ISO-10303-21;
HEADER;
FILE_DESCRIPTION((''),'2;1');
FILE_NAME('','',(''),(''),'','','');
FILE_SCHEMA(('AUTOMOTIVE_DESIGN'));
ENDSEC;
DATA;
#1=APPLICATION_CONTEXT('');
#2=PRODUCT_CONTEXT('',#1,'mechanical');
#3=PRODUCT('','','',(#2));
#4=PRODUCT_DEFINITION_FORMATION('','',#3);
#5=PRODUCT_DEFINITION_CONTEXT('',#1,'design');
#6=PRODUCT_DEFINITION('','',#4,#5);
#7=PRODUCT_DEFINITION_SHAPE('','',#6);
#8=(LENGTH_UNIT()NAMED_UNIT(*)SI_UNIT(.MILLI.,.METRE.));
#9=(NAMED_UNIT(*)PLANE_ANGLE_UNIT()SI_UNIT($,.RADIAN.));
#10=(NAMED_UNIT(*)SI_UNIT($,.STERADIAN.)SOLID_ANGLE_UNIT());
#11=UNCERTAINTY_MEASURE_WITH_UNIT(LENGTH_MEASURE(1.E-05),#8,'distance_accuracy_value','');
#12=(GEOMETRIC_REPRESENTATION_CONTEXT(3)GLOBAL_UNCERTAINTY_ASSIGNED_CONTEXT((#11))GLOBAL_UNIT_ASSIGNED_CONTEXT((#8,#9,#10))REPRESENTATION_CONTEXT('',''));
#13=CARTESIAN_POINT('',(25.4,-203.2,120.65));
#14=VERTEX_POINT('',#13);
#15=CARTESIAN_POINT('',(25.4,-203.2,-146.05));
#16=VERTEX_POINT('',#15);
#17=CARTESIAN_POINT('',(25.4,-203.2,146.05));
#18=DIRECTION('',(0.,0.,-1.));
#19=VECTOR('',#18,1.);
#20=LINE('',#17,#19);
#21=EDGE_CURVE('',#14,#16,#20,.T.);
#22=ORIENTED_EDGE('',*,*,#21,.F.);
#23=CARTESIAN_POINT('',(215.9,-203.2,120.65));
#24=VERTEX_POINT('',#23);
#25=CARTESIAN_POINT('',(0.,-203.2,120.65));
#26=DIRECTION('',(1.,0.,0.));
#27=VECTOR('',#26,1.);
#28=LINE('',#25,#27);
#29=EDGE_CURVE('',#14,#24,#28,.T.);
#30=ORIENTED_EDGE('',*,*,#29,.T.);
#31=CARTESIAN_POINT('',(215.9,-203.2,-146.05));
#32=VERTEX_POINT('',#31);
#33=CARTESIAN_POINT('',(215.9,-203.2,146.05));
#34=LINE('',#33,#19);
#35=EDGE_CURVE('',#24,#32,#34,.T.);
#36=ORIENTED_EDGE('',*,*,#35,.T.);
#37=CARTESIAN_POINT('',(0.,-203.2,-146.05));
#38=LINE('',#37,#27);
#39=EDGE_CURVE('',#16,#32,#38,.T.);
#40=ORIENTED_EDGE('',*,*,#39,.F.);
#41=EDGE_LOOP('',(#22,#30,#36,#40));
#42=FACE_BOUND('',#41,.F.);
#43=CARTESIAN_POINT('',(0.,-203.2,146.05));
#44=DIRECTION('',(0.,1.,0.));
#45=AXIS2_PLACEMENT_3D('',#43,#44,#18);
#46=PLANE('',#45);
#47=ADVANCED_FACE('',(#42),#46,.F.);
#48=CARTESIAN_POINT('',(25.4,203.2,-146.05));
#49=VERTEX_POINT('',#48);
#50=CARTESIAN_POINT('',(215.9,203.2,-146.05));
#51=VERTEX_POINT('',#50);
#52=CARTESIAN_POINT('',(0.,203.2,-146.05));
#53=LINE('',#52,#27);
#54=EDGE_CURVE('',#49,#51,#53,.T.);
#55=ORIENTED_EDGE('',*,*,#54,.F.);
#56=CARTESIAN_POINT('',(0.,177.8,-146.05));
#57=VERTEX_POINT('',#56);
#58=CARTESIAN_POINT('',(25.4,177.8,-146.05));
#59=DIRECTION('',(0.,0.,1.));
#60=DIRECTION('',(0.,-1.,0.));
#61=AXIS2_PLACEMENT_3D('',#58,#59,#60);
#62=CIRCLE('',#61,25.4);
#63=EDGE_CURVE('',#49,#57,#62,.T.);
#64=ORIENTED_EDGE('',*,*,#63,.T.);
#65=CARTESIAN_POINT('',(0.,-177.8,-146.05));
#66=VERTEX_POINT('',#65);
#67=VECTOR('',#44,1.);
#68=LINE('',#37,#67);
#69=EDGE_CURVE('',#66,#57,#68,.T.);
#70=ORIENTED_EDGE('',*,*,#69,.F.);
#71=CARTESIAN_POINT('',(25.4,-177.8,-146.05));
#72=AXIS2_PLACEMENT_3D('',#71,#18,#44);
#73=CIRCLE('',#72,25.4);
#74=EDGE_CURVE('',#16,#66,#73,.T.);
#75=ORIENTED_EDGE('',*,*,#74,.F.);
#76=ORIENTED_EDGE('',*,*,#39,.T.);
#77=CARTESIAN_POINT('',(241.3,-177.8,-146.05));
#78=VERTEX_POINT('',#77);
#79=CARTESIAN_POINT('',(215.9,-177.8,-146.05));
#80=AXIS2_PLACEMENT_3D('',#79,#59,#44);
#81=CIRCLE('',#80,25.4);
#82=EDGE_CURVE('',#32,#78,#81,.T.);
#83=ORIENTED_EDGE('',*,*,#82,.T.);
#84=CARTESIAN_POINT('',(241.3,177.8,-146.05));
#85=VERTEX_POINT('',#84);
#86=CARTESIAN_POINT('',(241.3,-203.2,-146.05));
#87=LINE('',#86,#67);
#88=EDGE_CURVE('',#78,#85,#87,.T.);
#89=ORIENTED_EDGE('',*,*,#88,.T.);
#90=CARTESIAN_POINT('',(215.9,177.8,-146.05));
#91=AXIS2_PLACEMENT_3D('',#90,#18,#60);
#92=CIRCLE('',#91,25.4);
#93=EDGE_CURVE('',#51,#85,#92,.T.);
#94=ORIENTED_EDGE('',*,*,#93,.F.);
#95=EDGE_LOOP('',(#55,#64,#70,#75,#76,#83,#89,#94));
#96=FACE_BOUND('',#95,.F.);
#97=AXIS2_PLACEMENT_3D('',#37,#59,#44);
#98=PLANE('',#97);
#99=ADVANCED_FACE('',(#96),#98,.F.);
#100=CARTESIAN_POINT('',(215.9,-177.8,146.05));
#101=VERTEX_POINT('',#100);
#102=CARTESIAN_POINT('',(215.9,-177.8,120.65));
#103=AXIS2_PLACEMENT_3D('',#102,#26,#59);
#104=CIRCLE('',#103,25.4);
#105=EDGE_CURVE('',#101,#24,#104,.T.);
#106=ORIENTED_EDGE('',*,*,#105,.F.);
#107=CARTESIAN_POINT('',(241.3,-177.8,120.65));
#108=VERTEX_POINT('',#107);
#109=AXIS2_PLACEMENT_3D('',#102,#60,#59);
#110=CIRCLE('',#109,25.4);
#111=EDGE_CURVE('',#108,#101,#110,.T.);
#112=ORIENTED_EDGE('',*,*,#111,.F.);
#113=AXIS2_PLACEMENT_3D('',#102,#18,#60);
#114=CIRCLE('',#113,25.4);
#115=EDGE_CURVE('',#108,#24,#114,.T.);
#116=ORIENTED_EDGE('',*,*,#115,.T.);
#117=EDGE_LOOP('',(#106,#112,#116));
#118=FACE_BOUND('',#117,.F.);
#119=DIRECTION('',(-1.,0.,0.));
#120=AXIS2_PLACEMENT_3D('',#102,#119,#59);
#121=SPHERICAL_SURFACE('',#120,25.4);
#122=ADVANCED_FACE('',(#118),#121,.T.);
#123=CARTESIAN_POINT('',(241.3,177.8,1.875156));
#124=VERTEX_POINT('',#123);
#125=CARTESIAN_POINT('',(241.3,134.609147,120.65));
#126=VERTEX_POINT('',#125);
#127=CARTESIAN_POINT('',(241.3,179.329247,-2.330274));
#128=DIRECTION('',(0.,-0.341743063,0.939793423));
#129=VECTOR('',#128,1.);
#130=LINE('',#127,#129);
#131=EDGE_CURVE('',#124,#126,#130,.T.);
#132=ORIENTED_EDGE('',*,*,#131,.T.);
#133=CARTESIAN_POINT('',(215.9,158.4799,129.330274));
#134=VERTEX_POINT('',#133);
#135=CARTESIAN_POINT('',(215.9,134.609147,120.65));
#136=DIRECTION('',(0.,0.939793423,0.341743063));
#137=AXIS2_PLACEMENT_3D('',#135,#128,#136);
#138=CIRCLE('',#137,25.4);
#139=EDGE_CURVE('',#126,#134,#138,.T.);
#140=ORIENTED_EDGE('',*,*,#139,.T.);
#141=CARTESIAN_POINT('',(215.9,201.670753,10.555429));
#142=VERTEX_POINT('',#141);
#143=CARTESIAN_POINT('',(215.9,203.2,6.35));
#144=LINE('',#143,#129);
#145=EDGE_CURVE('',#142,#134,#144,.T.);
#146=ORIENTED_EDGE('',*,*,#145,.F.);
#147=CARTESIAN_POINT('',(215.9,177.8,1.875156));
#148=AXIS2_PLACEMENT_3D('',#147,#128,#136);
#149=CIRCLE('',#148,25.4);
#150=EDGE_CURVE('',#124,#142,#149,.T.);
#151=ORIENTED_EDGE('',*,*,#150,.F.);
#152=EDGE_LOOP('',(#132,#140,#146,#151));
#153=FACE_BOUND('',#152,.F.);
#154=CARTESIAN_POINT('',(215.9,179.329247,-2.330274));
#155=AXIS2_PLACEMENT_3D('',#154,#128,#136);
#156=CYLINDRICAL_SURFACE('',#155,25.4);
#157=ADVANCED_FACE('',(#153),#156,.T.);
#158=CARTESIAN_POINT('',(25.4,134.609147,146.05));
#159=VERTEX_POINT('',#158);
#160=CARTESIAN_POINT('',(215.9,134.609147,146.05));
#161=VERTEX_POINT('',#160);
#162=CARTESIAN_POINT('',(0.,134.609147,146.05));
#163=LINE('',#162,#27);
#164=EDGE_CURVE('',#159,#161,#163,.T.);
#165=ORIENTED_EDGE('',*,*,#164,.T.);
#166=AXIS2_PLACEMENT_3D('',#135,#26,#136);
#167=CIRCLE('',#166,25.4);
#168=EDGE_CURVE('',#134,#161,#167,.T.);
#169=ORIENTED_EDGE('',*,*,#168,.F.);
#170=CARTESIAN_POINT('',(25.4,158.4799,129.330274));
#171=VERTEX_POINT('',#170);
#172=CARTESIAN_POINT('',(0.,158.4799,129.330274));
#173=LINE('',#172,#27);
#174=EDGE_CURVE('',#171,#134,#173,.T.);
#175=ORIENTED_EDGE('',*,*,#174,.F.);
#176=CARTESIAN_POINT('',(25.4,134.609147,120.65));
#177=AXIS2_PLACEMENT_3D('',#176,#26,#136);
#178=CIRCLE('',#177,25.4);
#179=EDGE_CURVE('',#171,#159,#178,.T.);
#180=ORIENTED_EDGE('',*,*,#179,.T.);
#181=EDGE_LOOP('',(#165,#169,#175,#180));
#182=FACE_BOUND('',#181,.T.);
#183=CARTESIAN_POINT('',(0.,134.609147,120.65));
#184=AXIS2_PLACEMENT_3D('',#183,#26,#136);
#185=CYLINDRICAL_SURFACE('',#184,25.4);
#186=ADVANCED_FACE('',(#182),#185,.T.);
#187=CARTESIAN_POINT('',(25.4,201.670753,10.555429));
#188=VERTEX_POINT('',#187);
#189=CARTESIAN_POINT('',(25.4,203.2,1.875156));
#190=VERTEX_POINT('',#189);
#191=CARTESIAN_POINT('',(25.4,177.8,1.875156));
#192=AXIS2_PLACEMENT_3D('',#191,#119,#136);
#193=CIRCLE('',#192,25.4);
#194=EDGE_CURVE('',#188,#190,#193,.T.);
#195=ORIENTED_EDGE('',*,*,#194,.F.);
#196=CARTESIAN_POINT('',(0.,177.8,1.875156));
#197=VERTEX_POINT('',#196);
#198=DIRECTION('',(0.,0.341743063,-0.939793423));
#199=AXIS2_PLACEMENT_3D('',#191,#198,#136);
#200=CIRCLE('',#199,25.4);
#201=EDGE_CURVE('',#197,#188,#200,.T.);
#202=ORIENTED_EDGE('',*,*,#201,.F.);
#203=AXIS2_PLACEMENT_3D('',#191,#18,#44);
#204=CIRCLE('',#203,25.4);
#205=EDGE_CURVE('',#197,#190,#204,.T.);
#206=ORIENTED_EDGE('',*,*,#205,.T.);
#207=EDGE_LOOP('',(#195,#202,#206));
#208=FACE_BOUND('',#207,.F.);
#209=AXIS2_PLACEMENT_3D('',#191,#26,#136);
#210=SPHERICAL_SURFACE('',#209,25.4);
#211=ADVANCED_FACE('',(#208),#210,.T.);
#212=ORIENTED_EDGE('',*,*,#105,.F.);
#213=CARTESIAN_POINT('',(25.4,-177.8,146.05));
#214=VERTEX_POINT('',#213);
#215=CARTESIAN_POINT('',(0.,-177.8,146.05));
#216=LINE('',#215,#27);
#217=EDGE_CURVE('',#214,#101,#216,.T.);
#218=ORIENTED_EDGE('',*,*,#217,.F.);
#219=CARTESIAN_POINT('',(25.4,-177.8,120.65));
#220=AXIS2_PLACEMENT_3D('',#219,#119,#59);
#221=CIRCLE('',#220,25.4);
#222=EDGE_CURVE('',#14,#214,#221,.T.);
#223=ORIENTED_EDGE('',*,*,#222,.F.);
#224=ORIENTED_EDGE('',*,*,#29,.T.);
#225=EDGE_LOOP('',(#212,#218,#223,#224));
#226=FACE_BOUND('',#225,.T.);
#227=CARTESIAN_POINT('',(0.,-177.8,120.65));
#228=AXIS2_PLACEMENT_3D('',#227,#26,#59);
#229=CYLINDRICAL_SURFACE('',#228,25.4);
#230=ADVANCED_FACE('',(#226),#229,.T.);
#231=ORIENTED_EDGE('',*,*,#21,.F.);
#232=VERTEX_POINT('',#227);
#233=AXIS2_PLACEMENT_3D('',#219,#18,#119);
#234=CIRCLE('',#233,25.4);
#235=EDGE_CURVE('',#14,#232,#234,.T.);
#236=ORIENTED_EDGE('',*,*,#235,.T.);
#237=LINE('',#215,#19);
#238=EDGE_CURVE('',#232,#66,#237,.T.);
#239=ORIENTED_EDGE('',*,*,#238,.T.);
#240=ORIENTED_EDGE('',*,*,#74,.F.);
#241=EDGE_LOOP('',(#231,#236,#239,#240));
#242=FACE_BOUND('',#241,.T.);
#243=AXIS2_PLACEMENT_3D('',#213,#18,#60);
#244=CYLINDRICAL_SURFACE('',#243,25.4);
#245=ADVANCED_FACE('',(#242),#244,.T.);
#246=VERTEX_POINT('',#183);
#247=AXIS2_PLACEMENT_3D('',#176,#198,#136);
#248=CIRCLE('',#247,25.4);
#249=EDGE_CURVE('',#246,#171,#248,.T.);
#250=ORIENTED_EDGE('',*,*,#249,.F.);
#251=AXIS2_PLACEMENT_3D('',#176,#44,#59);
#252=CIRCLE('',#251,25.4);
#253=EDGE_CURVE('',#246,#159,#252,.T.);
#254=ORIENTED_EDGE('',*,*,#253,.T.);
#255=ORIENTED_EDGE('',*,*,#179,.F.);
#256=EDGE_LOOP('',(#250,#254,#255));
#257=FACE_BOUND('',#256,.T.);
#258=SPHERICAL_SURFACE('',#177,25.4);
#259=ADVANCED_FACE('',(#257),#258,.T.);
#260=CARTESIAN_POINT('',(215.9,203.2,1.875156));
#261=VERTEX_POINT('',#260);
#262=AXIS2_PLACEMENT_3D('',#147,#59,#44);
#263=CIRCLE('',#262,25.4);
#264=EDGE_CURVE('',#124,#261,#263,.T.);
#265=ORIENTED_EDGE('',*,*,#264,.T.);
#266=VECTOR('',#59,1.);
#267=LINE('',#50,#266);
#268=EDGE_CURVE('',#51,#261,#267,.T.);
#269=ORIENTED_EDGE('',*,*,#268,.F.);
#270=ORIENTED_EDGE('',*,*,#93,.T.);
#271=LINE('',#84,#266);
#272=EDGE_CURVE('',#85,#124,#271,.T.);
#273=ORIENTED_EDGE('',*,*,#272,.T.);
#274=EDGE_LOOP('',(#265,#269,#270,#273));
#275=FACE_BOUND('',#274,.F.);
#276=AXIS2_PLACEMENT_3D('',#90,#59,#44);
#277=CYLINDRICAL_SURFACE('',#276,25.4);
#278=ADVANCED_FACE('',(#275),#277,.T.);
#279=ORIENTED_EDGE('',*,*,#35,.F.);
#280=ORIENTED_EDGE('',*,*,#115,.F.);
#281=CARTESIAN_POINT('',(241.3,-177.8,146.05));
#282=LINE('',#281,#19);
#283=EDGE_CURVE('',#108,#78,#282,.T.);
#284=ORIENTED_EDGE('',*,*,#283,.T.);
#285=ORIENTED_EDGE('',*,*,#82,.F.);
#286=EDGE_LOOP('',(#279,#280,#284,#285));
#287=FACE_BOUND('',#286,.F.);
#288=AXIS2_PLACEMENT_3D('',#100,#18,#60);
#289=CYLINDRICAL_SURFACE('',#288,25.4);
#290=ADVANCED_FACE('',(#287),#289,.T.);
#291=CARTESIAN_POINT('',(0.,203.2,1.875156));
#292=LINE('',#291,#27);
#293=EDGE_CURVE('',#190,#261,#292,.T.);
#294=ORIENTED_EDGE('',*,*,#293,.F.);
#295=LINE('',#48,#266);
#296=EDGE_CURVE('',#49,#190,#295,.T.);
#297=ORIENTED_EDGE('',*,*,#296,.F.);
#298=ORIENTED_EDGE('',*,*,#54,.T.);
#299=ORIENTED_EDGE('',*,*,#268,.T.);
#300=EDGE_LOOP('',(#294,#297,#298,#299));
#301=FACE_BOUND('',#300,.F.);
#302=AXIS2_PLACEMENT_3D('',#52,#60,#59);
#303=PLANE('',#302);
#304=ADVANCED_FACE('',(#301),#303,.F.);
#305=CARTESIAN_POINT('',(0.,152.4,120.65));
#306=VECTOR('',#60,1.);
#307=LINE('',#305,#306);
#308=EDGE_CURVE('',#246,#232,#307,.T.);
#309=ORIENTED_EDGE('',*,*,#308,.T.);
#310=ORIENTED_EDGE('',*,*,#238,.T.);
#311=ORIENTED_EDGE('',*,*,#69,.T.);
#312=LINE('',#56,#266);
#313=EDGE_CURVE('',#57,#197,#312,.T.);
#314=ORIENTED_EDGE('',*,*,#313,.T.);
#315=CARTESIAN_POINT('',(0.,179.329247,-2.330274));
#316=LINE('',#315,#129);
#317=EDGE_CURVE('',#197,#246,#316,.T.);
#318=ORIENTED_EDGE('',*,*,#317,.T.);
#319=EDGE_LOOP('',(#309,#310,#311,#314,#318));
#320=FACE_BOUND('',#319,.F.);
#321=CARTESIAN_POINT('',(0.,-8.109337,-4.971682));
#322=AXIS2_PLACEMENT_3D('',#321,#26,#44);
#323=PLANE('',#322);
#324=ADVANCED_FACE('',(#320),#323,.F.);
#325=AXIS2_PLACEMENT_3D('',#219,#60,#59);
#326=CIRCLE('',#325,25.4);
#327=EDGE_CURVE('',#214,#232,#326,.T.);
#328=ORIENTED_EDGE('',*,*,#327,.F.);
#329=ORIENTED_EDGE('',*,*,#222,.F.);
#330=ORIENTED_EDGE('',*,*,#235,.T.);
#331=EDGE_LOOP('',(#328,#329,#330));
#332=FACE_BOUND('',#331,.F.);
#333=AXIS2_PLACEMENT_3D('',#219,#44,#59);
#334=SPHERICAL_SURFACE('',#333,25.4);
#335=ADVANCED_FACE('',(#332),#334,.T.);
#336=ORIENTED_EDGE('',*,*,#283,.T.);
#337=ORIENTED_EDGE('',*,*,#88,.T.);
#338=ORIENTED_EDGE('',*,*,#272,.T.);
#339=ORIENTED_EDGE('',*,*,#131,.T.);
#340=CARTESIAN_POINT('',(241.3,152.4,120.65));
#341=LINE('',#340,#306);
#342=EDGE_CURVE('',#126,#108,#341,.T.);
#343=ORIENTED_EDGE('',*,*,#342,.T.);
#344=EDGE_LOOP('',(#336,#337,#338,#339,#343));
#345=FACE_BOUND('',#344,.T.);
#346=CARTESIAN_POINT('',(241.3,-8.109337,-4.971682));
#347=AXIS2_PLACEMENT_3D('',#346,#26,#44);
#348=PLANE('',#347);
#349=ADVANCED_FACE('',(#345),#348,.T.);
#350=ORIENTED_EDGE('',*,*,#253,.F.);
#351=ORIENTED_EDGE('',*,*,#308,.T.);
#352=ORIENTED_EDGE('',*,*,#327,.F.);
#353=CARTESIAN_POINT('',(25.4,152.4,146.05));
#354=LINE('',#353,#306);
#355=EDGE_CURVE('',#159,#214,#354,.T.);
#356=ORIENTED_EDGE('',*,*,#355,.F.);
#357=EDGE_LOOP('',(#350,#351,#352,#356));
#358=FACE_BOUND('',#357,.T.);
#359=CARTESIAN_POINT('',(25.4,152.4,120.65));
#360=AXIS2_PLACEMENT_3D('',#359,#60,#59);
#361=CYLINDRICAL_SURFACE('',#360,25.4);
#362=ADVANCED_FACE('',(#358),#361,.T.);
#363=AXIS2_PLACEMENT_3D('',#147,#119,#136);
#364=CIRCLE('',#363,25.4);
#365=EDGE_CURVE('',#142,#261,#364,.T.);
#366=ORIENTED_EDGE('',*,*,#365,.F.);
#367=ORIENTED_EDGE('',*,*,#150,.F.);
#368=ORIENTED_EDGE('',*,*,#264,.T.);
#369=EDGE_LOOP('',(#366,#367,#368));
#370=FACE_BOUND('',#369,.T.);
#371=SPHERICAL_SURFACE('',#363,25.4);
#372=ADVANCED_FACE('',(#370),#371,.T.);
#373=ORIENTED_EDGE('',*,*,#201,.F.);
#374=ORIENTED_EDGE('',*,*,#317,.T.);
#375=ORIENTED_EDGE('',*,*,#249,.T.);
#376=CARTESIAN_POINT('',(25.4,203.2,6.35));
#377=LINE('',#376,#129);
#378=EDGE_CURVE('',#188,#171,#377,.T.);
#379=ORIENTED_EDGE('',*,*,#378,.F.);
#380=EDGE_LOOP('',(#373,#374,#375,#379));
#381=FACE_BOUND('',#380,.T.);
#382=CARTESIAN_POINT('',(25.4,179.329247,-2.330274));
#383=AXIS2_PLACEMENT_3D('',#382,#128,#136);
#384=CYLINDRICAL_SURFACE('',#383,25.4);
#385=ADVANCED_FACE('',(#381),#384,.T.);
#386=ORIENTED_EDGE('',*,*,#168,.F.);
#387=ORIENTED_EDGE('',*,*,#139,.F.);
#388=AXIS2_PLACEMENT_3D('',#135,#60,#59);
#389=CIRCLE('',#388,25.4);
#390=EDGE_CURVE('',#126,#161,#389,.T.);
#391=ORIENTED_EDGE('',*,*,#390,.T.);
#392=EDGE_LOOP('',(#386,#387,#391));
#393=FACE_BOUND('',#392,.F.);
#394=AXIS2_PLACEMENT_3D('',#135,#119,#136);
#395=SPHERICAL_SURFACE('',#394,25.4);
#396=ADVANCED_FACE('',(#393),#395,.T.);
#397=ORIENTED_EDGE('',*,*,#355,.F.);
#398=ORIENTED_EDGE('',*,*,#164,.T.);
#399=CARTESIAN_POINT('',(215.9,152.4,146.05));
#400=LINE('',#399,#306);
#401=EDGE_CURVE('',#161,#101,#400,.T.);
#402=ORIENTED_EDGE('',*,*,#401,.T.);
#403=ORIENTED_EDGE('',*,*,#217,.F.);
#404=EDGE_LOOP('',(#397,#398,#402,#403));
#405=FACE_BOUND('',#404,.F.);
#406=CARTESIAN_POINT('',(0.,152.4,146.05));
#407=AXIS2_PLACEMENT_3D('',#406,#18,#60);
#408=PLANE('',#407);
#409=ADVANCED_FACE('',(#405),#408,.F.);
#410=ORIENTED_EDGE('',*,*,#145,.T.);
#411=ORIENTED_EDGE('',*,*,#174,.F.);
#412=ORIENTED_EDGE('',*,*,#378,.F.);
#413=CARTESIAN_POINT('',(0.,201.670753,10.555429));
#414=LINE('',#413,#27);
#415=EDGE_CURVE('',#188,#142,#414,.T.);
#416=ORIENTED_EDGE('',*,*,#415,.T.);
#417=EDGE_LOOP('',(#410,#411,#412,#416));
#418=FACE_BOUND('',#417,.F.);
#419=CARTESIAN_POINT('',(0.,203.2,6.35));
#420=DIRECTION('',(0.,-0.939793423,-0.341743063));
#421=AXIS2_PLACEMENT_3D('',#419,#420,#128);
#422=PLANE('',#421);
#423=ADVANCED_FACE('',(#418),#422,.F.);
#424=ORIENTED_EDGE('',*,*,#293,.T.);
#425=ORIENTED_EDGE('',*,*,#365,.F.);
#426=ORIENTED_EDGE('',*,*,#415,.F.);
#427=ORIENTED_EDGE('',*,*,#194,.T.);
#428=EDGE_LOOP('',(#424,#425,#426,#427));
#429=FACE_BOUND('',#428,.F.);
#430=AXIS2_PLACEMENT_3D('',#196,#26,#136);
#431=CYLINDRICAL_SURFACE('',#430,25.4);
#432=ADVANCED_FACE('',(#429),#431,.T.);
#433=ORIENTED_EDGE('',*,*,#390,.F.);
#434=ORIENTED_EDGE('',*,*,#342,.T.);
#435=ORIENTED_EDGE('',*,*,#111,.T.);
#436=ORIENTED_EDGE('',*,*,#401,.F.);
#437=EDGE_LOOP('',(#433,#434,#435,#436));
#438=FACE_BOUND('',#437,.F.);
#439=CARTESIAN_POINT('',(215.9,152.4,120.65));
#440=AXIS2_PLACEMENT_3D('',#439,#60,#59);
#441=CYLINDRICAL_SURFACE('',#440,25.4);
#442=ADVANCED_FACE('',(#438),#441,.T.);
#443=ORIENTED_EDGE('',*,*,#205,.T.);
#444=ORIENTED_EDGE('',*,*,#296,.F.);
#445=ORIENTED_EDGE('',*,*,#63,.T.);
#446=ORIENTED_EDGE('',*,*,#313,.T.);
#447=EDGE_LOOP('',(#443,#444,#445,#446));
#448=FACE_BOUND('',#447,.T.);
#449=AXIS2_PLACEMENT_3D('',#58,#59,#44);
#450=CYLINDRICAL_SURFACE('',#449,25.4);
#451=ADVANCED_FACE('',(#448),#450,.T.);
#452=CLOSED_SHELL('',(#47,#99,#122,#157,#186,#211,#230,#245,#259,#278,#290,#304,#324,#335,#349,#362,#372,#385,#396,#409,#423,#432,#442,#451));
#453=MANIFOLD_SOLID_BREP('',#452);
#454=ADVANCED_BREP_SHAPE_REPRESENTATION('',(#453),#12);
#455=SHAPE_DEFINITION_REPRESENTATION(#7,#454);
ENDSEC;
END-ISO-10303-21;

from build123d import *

# Parameters (mm, degrees)
F1_DEPTH = 241.3
F2_R     = 25.4


with BuildPart() as f1:
    # F0 (on Right) → F1 (new body)
    with BuildSketch(Plane.YZ):
        Polygon((203.2, 6.35), (152.4, 146.05), (-203.2, 146.05), (-203.2, -146.05), (203.2, -146.05), align=None)
    extrude(amount=F1_DEPTH)

    # F2
    f2_edges = [f1.edges().sort_by_distance(p)[0] for p in [
        (0, -25.4, 146.05),
        (120.65, -203.2, 146.05),
        (241.3, -25.4, 146.05),
        (120.65, 152.4, 146.05),
        (0, 177.8, 76.2),
        (0, 203.2, -69.85),
        (0, -203.2, 0),
        (241.3, -203.2, 0),
        (241.3, 177.8, 76.2),
        (241.3, 203.2, -69.85),
        (120.65, 203.2, 6.35),
    ]]
    fillet(f2_edges, radius=F2_R)


solid = f1.part
